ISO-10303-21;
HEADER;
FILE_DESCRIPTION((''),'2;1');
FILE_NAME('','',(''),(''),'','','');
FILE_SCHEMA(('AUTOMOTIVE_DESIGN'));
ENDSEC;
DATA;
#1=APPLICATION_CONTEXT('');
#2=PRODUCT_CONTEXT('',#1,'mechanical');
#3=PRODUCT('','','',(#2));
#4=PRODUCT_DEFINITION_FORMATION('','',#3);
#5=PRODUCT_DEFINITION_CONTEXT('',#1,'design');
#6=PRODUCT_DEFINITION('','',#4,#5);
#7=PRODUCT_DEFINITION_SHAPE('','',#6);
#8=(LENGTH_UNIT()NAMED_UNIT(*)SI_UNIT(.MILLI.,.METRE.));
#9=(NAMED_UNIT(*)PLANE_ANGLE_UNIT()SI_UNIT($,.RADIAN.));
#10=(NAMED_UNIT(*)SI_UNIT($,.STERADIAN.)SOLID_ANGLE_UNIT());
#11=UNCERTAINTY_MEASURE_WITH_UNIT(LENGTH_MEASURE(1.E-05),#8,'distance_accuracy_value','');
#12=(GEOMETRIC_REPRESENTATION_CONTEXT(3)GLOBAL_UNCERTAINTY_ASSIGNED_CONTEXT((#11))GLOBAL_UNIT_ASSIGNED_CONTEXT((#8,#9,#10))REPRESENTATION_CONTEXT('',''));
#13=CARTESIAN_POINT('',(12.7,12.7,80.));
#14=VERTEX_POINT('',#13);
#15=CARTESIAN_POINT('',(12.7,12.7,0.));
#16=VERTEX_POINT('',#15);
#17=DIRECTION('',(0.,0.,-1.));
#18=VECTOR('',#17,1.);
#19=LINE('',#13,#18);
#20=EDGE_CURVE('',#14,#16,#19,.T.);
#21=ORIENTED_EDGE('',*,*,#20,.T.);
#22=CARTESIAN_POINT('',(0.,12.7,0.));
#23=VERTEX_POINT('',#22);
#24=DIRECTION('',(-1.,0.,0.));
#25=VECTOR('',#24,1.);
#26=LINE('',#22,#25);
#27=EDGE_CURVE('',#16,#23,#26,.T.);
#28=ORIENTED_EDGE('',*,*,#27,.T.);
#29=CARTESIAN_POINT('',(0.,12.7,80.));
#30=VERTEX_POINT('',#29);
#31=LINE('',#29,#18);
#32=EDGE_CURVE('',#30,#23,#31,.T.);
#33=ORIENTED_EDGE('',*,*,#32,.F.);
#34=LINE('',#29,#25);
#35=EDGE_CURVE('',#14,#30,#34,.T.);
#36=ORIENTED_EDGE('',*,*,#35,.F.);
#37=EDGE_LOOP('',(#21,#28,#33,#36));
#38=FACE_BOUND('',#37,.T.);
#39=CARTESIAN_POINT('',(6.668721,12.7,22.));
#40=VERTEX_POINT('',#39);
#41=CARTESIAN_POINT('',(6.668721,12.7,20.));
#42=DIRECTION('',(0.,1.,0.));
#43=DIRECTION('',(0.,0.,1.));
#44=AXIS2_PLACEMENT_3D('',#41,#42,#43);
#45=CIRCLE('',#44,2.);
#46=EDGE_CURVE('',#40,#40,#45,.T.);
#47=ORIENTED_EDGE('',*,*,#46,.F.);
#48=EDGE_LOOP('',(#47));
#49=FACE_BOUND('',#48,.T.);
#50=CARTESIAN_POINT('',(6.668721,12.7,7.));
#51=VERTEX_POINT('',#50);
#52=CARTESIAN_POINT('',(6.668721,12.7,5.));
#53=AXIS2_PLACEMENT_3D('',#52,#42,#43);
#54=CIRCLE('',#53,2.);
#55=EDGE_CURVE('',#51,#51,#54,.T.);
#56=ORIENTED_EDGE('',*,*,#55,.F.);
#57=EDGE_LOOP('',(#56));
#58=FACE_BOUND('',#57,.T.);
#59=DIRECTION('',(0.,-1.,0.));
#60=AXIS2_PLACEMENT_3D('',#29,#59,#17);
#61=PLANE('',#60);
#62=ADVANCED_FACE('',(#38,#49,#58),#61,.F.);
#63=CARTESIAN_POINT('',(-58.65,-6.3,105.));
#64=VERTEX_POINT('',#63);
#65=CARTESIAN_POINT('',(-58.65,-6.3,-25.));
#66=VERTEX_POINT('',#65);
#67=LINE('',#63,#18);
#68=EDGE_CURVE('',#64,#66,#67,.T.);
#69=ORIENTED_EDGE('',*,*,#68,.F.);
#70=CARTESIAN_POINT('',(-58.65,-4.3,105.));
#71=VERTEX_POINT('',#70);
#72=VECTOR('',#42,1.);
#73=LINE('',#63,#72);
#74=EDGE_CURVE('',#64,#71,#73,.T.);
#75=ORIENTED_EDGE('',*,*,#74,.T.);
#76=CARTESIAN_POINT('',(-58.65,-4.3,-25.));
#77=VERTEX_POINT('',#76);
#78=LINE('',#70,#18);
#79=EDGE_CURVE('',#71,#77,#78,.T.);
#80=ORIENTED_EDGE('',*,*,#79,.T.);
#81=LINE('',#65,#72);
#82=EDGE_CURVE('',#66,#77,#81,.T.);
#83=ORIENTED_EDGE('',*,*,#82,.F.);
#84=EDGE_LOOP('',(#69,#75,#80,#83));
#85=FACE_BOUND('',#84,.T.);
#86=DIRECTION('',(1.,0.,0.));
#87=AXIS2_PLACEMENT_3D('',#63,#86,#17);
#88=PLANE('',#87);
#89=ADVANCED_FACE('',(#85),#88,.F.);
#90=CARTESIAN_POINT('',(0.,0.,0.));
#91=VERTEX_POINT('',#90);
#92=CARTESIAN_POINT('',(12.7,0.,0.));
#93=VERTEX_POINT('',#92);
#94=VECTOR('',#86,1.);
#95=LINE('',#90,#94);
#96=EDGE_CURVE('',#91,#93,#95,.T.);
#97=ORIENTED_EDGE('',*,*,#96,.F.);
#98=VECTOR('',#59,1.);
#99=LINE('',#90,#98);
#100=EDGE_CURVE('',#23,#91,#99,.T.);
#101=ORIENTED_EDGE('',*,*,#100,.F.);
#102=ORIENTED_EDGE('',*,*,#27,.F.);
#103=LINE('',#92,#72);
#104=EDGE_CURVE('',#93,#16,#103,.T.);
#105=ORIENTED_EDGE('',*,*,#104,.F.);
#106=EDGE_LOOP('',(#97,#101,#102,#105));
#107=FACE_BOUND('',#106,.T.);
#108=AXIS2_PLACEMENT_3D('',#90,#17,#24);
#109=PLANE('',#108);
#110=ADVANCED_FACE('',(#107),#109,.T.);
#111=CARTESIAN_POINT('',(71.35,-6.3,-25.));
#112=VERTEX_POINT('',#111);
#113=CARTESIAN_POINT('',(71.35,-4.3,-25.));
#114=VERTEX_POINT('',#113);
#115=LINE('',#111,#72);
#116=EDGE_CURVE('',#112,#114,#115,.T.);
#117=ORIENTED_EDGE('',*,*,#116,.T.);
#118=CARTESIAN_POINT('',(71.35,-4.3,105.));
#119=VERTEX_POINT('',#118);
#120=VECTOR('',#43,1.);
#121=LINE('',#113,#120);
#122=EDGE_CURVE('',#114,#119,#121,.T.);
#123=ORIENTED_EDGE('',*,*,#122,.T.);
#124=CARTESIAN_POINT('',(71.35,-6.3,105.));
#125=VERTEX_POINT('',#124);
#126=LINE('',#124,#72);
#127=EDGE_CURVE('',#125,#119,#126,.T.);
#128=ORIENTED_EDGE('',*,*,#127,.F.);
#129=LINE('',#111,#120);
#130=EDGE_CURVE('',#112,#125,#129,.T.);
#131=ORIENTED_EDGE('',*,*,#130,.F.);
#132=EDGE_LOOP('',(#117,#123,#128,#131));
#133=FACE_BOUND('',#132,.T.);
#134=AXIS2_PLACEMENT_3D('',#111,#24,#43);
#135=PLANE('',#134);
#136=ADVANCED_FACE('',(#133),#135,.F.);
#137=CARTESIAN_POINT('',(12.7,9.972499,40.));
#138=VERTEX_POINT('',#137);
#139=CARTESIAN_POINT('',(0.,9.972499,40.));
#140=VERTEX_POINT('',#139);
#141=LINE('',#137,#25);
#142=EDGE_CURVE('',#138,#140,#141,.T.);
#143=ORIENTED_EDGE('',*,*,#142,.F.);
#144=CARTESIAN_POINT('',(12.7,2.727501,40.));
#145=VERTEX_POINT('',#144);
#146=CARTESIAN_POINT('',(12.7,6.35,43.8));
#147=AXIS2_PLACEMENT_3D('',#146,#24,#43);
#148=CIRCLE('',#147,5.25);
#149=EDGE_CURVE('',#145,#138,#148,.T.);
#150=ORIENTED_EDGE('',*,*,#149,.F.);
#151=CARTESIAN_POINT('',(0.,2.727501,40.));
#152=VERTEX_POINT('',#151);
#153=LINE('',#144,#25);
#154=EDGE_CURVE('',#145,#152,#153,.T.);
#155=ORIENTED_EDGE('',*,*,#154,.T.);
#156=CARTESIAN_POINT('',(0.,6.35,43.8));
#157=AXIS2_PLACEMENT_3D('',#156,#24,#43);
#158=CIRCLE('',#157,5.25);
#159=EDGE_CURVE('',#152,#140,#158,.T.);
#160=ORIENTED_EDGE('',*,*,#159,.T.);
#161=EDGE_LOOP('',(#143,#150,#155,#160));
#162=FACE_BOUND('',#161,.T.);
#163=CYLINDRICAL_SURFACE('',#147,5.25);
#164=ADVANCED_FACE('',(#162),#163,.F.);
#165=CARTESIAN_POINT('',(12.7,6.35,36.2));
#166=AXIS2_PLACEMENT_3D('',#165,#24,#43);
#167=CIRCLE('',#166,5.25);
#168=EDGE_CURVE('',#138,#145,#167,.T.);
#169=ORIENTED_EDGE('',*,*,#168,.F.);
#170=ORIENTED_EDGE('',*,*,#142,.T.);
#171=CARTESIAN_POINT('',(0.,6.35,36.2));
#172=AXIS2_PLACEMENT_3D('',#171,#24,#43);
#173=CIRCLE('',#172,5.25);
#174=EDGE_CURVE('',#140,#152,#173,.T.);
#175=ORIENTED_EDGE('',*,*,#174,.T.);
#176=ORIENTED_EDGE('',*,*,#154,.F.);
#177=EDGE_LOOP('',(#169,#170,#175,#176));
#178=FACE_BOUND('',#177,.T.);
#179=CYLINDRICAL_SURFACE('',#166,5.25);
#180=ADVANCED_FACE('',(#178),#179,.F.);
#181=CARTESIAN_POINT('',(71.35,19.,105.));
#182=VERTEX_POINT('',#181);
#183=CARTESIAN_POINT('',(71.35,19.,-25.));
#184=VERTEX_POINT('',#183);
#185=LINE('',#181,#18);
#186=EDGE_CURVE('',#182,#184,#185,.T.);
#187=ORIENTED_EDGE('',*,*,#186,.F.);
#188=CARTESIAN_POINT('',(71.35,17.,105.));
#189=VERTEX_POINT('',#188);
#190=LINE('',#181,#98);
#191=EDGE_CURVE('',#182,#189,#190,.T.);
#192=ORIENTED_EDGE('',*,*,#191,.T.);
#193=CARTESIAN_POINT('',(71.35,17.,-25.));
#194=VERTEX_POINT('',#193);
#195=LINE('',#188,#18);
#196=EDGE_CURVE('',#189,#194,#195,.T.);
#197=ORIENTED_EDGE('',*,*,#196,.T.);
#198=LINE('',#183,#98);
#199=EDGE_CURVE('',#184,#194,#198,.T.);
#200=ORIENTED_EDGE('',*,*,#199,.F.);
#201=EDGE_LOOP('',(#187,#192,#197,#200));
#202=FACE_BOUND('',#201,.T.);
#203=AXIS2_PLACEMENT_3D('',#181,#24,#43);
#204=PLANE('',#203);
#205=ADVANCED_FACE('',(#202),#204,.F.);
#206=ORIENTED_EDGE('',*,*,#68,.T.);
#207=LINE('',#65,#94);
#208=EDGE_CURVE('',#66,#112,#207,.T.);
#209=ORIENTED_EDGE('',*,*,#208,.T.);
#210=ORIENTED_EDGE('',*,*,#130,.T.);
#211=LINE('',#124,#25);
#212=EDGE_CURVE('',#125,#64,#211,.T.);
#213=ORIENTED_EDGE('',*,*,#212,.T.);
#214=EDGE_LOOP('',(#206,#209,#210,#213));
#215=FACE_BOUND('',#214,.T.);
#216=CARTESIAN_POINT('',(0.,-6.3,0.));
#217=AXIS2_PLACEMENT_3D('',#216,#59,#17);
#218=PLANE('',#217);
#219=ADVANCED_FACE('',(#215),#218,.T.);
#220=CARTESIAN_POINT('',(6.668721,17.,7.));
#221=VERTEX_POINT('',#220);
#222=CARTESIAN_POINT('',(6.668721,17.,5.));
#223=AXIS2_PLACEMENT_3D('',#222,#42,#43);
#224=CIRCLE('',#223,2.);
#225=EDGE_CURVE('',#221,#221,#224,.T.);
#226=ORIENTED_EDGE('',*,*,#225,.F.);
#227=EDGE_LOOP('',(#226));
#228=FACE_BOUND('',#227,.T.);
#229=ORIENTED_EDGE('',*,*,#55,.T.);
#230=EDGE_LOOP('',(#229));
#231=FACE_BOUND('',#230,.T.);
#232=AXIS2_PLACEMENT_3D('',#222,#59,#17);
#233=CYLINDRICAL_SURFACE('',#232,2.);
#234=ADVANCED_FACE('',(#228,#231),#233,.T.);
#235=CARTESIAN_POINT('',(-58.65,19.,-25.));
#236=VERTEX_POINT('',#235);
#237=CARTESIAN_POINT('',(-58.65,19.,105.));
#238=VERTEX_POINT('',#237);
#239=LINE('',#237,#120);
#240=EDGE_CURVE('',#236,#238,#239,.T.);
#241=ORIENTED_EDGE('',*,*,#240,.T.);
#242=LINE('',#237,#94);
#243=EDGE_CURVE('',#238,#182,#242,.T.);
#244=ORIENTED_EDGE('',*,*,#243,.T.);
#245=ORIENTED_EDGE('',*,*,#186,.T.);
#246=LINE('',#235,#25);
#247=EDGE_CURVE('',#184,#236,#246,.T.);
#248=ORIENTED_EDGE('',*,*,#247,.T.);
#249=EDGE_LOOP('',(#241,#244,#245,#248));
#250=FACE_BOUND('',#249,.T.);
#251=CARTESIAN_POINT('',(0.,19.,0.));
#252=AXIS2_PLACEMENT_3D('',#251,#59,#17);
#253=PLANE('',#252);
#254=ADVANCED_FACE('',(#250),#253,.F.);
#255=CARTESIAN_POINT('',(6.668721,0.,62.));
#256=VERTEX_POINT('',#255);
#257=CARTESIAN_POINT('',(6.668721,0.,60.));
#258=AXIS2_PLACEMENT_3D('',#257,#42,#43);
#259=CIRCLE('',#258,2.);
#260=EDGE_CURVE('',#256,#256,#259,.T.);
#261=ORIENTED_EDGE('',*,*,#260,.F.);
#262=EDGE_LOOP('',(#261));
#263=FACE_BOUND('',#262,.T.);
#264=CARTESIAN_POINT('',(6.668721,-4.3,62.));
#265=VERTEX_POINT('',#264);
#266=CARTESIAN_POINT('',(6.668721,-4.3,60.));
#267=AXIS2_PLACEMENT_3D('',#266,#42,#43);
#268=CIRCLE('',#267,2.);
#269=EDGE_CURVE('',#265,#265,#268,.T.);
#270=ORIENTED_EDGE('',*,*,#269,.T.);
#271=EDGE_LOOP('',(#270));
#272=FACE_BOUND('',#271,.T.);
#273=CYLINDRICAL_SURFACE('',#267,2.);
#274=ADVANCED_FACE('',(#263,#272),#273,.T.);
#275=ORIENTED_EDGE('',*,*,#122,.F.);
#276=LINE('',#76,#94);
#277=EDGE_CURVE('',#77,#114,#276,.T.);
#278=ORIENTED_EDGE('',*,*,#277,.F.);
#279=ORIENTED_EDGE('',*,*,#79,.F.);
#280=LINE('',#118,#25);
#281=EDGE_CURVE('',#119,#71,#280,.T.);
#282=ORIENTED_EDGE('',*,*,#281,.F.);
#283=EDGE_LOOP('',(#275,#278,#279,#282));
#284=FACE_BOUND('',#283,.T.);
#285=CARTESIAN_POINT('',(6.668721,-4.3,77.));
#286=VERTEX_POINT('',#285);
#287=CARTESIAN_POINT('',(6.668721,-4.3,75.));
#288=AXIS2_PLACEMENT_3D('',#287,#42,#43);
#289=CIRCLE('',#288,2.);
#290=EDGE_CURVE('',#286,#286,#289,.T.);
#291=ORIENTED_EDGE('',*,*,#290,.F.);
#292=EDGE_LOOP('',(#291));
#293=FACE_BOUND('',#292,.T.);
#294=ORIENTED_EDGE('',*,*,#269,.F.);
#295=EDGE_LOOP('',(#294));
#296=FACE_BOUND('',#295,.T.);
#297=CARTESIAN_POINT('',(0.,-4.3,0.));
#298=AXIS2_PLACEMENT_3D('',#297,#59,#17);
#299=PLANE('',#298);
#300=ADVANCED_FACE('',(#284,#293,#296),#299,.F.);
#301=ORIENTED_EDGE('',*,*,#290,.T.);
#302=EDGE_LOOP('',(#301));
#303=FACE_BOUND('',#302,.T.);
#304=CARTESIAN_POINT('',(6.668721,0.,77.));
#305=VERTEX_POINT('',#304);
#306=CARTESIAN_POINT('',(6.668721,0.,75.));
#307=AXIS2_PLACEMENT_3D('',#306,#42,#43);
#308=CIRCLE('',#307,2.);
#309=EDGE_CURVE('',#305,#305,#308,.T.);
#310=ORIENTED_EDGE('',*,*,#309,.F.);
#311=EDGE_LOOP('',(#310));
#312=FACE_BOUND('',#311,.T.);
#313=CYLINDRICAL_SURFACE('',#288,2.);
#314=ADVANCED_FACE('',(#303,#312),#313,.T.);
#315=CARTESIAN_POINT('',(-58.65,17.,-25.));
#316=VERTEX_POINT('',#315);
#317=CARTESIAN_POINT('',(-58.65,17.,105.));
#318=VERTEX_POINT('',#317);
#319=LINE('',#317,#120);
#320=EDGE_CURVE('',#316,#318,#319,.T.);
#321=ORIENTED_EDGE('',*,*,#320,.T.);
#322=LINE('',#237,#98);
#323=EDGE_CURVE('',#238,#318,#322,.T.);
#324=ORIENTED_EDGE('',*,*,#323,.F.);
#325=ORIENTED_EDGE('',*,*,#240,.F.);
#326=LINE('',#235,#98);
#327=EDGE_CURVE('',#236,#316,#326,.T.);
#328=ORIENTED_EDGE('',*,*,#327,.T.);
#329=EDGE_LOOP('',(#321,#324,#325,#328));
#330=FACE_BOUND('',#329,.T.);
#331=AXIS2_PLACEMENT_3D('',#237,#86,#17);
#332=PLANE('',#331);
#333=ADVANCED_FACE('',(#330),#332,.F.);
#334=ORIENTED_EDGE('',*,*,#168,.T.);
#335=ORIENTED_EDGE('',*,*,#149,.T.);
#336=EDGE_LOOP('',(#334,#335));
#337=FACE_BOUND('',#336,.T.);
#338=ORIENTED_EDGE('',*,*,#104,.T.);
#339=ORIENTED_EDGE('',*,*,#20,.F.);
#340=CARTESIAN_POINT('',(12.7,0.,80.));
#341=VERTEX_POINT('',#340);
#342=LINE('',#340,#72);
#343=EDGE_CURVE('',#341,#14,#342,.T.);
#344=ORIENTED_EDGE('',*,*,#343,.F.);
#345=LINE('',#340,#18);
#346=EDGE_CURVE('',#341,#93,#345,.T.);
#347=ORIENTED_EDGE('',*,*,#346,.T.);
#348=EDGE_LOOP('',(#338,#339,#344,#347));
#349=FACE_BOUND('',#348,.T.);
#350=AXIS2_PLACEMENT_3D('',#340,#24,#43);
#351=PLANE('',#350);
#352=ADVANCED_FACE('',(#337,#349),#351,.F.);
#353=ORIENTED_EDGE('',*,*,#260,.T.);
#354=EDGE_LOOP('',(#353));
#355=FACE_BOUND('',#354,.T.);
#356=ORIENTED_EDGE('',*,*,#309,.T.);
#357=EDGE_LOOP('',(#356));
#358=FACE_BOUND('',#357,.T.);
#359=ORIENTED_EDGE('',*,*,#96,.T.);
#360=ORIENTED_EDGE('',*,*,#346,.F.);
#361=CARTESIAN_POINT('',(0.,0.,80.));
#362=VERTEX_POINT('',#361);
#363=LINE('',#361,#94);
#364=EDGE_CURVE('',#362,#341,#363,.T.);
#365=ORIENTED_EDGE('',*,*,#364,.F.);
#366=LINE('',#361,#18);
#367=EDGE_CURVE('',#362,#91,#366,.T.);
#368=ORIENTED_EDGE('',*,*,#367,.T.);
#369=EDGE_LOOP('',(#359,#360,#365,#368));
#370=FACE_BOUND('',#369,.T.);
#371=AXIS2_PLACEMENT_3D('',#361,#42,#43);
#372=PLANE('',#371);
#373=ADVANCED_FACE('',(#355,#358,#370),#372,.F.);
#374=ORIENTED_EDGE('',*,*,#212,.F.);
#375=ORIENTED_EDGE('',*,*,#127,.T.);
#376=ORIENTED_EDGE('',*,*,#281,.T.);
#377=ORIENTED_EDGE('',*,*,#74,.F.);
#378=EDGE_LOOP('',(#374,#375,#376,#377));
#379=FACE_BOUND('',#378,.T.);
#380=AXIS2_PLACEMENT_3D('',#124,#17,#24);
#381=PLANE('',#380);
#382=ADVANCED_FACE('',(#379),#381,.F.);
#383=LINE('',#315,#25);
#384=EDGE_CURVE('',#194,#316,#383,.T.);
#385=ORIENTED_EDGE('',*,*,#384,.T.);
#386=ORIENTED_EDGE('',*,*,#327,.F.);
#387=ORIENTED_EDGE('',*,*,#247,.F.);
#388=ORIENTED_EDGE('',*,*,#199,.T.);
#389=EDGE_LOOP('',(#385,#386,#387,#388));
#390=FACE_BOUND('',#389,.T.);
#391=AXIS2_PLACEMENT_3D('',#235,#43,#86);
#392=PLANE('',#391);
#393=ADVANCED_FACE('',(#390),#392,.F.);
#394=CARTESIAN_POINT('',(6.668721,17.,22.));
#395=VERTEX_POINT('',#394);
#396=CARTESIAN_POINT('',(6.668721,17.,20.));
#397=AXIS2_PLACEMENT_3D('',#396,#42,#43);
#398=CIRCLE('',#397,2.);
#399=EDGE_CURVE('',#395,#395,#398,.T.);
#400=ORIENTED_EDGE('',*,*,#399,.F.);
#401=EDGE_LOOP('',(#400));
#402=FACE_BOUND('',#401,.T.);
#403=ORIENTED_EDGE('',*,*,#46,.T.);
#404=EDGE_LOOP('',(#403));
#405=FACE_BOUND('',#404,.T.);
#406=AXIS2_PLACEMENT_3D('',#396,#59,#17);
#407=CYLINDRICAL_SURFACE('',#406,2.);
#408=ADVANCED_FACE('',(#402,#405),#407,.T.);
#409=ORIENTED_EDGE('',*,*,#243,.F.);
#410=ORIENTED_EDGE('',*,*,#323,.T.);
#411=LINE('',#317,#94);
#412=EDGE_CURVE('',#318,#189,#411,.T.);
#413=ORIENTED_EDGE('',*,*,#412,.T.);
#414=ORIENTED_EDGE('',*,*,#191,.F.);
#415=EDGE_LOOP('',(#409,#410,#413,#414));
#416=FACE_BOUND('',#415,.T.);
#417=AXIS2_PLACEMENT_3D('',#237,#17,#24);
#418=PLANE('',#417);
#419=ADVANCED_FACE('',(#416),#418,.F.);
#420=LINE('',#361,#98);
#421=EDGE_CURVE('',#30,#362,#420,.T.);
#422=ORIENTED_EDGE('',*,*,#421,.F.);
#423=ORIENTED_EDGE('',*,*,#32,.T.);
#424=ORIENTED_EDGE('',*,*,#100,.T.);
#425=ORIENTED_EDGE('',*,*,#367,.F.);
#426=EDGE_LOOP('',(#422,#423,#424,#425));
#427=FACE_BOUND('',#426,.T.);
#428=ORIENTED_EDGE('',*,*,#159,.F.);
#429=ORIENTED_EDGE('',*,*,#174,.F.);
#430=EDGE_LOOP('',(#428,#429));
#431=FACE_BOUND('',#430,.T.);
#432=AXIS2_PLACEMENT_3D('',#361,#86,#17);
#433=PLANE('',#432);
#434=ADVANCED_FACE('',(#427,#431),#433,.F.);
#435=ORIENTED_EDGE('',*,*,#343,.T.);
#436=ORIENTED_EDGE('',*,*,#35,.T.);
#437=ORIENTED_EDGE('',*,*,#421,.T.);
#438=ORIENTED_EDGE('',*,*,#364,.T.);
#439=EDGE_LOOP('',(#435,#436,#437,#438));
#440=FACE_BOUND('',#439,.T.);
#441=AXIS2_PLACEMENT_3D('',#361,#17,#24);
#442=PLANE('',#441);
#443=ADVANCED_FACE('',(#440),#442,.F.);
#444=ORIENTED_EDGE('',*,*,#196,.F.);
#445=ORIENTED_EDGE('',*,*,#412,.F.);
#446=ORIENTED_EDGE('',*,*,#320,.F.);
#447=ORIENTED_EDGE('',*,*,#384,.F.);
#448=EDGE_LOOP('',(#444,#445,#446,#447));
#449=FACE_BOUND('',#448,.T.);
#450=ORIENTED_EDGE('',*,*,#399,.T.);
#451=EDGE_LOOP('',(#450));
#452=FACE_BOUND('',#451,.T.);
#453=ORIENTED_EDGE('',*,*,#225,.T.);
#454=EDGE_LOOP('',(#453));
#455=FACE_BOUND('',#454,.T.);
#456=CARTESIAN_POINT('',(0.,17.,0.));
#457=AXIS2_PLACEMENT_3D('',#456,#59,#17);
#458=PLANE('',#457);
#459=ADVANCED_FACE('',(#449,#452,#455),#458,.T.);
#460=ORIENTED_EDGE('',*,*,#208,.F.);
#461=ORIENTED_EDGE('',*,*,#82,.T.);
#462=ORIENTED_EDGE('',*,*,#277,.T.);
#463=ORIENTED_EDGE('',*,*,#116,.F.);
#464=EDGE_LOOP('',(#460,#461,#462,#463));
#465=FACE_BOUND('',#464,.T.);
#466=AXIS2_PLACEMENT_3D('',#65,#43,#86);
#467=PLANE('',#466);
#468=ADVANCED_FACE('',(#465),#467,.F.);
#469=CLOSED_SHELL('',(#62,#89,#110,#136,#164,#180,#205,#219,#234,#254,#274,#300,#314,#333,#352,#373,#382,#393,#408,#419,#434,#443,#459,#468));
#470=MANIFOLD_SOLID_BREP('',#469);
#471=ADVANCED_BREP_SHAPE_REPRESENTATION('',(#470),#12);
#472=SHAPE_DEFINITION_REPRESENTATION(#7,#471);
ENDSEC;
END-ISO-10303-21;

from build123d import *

# Parameters (mm, degrees)
SKETCH1_W           = 12.7
SKETCH1_H           = 12.7
BOSS_EXTRUDE1_DEPTH = 80
SKETCH2_R           = 2
CUT_EXTRUDE1_DEPTH  = 82.991341006
CUT_EXTRUDE2_DEPTH  = 82.991341006
BOSS_EXTRUDE2_START = 17
SKETCH5_R           = 2
BOSS_EXTRUDE2_DEPTH = 17
SKETCH6_R           = 2
BOSS_EXTRUDE3_DEPTH = 17
SKETCH7_W           = 130
SKETCH7_H           = 130
BOSS_EXTRUDE4_DEPTH = 2
SKETCH8_W           = 130
SKETCH8_H           = 130
BOSS_EXTRUDE5_DEPTH = 2


with BuildPart() as part:
    # Sketch1 → Boss-Extrude1 (new body)
    with BuildSketch(Plane.XY):
        with Locations((6.35, 6.35)):
            Rectangle(SKETCH1_W, SKETCH1_H)
    extrude(amount=BOSS_EXTRUDE1_DEPTH)

    # Sketch2 → Cut-Extrude1 (cut, through all)
    with BuildSketch(Plane(origin=(0, 12.7, 0), x_dir=(1, 0, 0), z_dir=(0, 1, 0))):
        with Locations(Location((6.668720536, -5, 0), (0, 0, 270))):
            Circle(SKETCH2_R)
        with Locations(Location((6.668720536, -20, 0), (0, 0, 270))):
            Circle(SKETCH2_R)
        with Locations(Location((6.668720536, -60, 0), (0, 0, 270))):
            Circle(SKETCH2_R)
        with Locations(Location((6.668720536, -75, 0), (0, 0, 270))):
            Circle(SKETCH2_R)
    extrude(amount=-CUT_EXTRUDE1_DEPTH, mode=Mode.SUBTRACT)

    # Sketch4 → Cut-Extrude2 (cut, through all)
    with BuildSketch(Plane.ZY):
        with BuildLine():
            ThreePointArc((40, 2.727500863), (49.05, 6.35), (40, 9.972499137))
            ThreePointArc((40, 9.972499137), (30.95, 6.35), (40, 2.727500863))
        make_face()
    extrude(amount=-CUT_EXTRUDE2_DEPTH, mode=Mode.SUBTRACT)

    # Sketch5 → Boss-Extrude2 (add)
    with BuildSketch(Plane(origin=(0, 0, 0), x_dir=(1, 0, 0), z_dir=(0, 1, 0)).offset(BOSS_EXTRUDE2_START)):
        with Locations(Location((6.668720536, -20, 0), (0, 0, 270))):
            Circle(SKETCH5_R)
        with Locations(Location((6.668720536, -5, 0), (0, 0, 270))):
            Circle(SKETCH5_R)
    extrude(amount=-BOSS_EXTRUDE2_DEPTH)

    # Sketch6 → Boss-Extrude3 (add)
    with BuildSketch(Plane(origin=(0, 12.7, 0), x_dir=(1, 0, 0), z_dir=(0, 1, 0))):
        with Locations(Location((6.668720536, -75, 0), (0, 0, 270))):
            Circle(SKETCH6_R)
        with Locations(Location((6.668720536, -60, 0), (0, 0, 270))):
            Circle(SKETCH6_R)
    extrude(amount=-BOSS_EXTRUDE3_DEPTH)

    # Sketch7 → Boss-Extrude4 (add)
    with BuildSketch(Plane(origin=(0, 17, 0), x_dir=(1, 0, 0), z_dir=(0, 1, 0))):
        with Locations((6.35, -40)):
            Rectangle(SKETCH7_W, SKETCH7_H)
    extrude(amount=BOSS_EXTRUDE4_DEPTH)

    # Sketch8 → Boss-Extrude5 (add)
    with BuildSketch(Plane.XZ.offset(4.3)):
        with Locations((6.35, 40)):
            Rectangle(SKETCH8_W, SKETCH8_H)
    extrude(amount=BOSS_EXTRUDE5_DEPTH)


solid = part.part
